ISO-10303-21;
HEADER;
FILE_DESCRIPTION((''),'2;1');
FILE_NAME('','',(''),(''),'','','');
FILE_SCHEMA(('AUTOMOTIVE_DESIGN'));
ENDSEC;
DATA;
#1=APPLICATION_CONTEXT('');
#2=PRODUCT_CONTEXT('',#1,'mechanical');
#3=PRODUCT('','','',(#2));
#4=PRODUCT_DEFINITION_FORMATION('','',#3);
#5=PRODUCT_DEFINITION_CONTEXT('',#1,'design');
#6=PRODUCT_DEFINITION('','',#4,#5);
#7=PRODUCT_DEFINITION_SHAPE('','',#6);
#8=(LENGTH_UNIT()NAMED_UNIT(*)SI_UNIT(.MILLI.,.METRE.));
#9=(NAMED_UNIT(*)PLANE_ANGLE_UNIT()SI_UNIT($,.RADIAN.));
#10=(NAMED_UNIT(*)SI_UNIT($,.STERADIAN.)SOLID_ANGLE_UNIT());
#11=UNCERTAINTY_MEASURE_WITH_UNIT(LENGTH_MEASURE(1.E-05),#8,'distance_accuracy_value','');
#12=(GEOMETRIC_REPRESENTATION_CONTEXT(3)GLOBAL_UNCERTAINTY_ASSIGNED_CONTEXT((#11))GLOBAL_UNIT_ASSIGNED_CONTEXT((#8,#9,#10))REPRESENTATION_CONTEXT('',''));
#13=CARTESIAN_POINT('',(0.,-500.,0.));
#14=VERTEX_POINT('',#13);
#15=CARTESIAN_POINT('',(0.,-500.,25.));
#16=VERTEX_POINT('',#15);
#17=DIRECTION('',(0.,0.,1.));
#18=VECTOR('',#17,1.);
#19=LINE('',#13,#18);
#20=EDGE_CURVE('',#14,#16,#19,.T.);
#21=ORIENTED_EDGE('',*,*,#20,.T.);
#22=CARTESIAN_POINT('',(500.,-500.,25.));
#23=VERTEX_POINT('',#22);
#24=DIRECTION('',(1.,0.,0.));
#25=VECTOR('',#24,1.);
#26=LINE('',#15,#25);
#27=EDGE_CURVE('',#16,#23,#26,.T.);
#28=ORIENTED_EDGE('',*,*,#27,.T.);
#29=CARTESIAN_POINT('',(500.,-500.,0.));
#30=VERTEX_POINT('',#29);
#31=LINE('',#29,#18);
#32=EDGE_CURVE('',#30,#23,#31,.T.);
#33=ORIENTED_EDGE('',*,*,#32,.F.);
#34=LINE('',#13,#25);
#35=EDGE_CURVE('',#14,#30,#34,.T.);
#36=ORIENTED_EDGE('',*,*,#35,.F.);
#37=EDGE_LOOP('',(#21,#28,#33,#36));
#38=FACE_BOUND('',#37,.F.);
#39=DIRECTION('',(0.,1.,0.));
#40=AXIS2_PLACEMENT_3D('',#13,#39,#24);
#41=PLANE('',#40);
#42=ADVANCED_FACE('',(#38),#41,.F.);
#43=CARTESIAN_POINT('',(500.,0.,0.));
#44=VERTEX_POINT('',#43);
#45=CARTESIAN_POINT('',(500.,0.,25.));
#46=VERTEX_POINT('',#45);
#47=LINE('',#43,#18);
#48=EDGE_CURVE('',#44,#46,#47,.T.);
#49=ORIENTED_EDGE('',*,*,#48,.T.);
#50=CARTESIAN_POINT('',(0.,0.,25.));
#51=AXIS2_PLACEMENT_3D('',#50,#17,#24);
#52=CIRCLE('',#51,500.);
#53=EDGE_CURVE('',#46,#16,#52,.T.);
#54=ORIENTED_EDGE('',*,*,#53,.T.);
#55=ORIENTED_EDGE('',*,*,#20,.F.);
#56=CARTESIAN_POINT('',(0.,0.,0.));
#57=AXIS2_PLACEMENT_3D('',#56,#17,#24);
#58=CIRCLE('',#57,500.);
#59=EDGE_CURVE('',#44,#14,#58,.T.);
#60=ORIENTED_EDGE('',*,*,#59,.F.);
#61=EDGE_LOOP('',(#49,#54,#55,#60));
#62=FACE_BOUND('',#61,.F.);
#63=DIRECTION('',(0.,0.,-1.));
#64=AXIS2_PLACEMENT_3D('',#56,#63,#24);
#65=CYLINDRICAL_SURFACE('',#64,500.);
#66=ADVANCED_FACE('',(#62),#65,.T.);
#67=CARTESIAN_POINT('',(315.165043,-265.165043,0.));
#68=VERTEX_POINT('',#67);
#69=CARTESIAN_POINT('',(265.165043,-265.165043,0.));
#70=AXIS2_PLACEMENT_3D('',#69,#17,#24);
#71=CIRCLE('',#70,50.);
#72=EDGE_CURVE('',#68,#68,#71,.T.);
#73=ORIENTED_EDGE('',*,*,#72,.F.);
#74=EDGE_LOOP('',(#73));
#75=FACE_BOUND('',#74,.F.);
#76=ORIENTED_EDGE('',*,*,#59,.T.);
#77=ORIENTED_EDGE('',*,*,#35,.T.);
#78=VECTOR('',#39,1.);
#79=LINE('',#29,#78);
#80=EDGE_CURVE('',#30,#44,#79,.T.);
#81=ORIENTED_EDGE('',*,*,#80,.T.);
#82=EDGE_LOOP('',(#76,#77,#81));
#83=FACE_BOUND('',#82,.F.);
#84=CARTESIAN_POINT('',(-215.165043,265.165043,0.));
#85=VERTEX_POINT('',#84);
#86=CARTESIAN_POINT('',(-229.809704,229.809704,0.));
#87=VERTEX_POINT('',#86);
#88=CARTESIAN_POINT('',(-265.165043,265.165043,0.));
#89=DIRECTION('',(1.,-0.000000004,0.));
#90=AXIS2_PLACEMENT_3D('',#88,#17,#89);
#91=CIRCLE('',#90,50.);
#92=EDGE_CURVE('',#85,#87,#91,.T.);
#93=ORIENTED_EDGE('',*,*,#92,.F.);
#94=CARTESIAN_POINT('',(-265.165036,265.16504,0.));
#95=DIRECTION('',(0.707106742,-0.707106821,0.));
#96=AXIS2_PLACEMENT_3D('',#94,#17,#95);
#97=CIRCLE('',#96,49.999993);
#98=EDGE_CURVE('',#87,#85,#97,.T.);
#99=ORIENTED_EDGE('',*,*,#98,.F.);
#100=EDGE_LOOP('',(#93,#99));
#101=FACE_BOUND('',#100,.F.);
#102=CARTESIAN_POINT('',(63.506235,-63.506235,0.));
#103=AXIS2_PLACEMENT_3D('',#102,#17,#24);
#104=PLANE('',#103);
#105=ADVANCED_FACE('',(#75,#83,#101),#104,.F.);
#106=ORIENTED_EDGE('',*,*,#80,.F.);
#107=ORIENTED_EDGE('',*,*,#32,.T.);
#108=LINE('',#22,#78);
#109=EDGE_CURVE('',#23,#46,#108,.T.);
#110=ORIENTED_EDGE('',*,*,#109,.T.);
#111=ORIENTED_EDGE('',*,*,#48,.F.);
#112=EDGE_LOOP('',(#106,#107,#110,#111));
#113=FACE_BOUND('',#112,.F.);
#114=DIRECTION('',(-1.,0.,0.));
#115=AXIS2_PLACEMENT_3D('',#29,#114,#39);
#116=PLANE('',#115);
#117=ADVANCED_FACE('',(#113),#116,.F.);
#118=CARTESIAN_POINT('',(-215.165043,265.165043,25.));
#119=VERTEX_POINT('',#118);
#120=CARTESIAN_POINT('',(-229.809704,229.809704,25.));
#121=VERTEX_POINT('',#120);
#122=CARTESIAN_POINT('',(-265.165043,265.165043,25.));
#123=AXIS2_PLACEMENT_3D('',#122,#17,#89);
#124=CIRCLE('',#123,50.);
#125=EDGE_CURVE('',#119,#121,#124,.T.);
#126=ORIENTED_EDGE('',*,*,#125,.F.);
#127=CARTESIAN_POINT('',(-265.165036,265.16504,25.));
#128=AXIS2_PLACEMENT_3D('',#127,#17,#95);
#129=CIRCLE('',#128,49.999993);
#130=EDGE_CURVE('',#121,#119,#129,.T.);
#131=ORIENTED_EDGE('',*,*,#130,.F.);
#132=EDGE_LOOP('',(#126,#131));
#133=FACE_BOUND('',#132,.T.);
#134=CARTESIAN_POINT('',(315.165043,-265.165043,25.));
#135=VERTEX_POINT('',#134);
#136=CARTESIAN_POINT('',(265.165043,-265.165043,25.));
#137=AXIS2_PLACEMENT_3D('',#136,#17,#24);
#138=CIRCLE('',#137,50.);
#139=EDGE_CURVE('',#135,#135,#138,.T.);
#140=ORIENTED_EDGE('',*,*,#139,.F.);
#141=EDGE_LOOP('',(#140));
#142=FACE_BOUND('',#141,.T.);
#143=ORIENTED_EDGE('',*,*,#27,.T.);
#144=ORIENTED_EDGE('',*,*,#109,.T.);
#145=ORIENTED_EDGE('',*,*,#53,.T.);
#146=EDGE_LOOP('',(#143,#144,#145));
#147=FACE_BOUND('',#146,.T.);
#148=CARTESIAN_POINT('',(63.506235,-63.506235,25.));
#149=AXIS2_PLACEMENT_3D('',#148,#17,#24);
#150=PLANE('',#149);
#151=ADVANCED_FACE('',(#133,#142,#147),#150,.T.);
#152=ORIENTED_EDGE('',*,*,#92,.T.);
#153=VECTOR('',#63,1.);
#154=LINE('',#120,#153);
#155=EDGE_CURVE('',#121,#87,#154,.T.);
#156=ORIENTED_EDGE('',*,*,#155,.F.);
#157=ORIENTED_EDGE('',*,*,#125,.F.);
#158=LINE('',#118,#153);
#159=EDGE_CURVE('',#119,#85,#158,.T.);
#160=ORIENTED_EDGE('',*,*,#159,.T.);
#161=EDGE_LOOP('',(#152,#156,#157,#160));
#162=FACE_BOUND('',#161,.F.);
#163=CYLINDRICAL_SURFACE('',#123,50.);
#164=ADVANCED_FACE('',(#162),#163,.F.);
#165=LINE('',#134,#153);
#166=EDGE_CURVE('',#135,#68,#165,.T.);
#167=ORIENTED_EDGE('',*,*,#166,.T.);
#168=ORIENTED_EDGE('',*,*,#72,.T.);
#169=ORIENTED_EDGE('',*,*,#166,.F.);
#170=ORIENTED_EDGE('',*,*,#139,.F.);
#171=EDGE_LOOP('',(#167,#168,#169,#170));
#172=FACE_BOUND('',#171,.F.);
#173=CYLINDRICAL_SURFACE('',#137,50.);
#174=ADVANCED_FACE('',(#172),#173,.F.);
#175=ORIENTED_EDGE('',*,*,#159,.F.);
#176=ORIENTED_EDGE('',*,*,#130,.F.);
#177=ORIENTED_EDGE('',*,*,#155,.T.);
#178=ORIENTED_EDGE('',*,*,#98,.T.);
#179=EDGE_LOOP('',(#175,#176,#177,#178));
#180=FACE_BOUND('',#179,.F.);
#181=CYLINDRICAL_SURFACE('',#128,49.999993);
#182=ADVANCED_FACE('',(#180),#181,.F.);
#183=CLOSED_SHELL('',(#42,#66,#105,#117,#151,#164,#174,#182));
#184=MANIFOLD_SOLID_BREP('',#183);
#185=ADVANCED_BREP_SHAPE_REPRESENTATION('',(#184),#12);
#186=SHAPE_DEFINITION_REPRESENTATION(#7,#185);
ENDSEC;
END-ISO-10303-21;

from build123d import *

# Parameters (mm, degrees)
F1_DEPTH = 25
F2_R     = 50
F3_DEPTH = 25


with BuildPart() as f1:
    # F0 (on Top) → F1 (new body)
    with BuildSketch(Plane.XY):
        with BuildLine():
            Line((500, -500), (500, 0))
            ThreePointArc((500, 0), (-353.553391, 353.553391), (0, -500))
            Line((0, -500), (500, -500))
        make_face()
    extrude(amount=F1_DEPTH)

    # F2 (on face) → F3 (cut, through all)
    with BuildSketch(Plane.XY.offset(25)):
        with BuildLine():
            ThreePointArc((-229.809704, 229.809704), (-218.971066, 246.030871), (-215.165043, 265.165043))
            ThreePointArc((-215.165043, 265.165043), (-311.35902, 284.299215), (-229.809704, 229.809704))
        make_face()
        with Locations((265.165043, -265.165043)):
            Circle(F2_R)
    extrude(amount=-F3_DEPTH, mode=Mode.SUBTRACT)


solid = f1.part
